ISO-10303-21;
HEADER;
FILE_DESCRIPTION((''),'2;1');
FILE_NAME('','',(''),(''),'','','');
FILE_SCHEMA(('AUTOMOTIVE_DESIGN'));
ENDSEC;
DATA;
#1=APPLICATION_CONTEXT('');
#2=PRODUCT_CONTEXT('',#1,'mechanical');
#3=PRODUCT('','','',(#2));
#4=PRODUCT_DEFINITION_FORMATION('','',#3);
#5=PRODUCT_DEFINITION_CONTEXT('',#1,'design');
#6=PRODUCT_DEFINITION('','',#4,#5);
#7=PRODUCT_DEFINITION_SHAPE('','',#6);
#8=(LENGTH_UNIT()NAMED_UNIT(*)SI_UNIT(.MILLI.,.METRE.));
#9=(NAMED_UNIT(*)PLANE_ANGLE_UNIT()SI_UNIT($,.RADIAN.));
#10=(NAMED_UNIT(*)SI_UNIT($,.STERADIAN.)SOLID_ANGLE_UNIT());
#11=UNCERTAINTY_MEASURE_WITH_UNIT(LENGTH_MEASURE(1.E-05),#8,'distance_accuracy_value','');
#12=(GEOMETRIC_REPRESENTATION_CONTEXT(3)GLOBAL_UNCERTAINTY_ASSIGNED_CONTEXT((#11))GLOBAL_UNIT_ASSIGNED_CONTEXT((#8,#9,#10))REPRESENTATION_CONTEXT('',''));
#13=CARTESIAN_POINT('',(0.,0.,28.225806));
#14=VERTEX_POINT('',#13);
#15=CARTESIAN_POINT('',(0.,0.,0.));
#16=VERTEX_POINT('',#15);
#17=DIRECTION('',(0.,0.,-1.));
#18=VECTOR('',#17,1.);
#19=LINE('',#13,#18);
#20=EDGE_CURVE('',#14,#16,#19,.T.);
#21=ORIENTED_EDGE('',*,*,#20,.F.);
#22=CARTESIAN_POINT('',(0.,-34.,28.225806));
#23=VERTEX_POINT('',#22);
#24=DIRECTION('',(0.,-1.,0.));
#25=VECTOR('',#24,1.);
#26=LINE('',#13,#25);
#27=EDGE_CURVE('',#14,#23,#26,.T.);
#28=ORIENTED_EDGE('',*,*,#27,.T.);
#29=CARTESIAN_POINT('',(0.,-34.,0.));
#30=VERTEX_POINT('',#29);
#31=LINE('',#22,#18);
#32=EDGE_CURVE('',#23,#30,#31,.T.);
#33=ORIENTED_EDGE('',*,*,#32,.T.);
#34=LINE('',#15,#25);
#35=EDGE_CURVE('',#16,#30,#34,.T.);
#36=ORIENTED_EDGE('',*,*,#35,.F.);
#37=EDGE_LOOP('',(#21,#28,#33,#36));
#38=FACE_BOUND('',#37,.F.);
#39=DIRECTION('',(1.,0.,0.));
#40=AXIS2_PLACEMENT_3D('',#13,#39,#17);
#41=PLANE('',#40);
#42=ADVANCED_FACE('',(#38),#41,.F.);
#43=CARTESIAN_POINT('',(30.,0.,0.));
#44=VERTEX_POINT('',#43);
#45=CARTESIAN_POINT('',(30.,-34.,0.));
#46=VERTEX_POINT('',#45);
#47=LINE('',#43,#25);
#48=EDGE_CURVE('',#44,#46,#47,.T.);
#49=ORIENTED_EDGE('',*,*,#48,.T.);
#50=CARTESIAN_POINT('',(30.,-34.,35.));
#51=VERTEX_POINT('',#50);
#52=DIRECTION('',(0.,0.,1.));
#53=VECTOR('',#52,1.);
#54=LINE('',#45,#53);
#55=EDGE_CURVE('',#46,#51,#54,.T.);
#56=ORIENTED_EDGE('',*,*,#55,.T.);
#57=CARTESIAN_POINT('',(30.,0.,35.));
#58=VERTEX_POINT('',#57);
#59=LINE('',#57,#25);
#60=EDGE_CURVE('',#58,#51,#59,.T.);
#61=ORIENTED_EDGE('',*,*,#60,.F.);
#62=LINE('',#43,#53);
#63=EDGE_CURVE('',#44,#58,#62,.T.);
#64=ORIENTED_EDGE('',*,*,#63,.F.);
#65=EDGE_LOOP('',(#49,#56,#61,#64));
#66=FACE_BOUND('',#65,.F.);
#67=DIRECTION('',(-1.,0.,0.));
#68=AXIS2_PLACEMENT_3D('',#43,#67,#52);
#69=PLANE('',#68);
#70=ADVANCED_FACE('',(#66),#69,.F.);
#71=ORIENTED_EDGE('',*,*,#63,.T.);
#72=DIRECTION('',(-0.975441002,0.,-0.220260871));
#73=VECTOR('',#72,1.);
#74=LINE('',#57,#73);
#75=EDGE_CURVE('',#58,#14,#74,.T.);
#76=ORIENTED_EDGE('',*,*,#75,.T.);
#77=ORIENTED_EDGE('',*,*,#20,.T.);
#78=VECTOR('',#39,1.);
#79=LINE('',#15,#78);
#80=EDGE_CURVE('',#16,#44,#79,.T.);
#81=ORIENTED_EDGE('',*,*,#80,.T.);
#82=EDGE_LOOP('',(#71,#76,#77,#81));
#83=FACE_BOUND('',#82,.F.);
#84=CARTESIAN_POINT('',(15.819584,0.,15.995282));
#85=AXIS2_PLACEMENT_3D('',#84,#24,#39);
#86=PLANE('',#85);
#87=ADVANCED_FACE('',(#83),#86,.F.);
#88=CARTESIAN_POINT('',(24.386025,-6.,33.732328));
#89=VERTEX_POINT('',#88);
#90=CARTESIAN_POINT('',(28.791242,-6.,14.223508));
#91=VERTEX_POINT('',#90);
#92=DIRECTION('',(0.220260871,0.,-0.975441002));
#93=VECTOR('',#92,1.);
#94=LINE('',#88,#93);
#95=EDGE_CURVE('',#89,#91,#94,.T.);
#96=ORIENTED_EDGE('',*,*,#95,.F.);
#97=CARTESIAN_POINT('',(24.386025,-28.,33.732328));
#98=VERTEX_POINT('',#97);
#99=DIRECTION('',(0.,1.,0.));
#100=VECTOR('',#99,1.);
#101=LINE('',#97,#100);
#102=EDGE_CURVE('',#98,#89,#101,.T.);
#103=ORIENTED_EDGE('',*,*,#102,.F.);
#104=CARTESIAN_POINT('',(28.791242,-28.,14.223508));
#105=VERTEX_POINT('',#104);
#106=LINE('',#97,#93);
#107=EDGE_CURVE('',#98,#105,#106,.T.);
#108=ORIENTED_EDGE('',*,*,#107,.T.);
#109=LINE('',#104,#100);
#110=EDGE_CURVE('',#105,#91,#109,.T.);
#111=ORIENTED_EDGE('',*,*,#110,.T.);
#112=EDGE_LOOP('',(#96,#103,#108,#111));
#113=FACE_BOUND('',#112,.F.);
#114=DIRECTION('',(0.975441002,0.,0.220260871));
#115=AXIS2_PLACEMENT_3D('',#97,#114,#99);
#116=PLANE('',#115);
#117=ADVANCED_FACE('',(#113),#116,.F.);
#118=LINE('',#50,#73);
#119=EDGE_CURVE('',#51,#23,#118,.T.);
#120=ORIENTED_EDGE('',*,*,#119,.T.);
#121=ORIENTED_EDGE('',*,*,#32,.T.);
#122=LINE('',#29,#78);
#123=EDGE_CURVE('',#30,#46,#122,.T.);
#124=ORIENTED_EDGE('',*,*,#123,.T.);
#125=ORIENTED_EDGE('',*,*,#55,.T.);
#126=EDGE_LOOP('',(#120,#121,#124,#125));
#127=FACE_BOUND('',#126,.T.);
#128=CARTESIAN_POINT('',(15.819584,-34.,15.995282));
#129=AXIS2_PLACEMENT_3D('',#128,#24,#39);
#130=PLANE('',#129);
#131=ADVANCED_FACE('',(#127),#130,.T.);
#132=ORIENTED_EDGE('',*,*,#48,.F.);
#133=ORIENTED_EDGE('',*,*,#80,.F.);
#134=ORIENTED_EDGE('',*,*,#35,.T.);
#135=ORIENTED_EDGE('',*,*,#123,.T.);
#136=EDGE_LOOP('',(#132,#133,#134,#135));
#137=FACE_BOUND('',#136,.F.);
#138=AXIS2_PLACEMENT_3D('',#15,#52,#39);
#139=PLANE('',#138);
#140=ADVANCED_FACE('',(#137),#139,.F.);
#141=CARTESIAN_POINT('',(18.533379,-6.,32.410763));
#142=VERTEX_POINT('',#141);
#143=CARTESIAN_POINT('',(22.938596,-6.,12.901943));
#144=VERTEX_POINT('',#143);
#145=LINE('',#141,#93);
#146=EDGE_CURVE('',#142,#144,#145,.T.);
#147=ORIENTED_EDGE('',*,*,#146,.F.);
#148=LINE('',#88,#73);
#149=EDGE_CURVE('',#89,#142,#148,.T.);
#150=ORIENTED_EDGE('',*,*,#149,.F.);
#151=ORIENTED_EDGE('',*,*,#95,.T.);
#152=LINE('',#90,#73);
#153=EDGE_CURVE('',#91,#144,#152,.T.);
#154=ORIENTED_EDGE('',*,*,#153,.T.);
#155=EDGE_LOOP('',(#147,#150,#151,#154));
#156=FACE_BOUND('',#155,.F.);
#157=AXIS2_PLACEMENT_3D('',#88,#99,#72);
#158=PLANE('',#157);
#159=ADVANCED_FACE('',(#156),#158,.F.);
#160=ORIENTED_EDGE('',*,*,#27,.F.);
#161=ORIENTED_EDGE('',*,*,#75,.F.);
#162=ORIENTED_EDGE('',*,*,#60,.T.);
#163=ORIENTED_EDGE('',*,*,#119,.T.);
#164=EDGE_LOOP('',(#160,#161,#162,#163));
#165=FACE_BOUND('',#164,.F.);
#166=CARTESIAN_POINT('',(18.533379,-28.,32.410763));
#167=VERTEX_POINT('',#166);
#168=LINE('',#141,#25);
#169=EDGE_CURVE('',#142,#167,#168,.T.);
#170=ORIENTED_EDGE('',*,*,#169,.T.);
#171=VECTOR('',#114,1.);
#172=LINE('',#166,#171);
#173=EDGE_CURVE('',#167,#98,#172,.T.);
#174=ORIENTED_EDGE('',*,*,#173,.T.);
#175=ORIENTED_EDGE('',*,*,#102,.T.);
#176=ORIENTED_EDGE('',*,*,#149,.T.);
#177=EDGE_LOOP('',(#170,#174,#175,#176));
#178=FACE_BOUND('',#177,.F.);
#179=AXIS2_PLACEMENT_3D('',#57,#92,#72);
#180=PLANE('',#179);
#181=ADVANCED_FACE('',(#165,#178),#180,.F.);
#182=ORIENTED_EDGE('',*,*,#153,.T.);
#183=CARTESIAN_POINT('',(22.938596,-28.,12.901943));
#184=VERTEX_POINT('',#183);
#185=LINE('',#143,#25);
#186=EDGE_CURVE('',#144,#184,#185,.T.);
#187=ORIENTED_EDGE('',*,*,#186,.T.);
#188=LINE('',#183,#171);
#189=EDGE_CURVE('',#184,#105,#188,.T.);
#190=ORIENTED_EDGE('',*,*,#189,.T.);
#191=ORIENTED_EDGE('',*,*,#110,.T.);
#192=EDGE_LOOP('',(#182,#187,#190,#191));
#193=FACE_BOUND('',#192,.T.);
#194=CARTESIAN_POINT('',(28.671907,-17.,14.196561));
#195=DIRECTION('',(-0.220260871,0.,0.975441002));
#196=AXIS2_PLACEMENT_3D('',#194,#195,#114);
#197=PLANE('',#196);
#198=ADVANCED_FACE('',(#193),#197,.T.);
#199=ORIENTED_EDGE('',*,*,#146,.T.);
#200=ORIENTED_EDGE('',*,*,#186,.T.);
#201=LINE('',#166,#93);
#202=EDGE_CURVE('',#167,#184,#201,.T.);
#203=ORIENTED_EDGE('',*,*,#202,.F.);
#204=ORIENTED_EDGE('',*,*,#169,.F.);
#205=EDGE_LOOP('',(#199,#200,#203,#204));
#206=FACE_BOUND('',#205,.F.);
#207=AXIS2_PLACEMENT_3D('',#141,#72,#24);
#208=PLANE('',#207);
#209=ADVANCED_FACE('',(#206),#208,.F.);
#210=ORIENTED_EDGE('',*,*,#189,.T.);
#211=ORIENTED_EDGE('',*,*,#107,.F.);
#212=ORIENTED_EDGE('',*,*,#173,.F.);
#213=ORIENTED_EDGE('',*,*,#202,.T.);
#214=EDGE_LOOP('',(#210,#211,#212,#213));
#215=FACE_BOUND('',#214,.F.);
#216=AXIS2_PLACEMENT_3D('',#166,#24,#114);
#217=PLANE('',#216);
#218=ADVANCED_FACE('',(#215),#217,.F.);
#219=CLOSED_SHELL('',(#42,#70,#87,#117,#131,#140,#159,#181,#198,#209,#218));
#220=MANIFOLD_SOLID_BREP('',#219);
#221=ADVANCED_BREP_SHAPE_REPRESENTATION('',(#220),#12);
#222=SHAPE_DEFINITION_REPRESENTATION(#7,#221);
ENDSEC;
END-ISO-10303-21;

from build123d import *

# Parameters (mm, degrees)
F1_DEPTH = 34
F3_DEPTH = 20


with BuildPart() as f1:
    # F0 (on Front) → F1 (new body)
    with BuildSketch(Plane.XZ):
        Polygon((0, 28.2258064516), (0, 0), (30, 0), (30, 35), align=None)
    extrude(amount=F1_DEPTH)

    # F2 (on face) → F3 (cut)
    with BuildSketch(Plane(origin=(-6.0643564356, 0, 26.8564356436), x_dir=(0.9754410021, 0, 0.2202608714), z_dir=(-0.2202608714, 0, 0.9754410021))):
        Polygon((30.9723605622, -6), (30.9723605622, -17), (30.9723605622, -28), (31.217040726, -28), (31.217040726, -17), (31.217040726, -6), align=None)
        Polygon((30.9723605622, -28), (30.9723605622, -17), (30.9723605622, -6), (25.217040726, -6), (25.217040726, -17), (25.217040726, -28), align=None)
    extrude(amount=-F3_DEPTH, mode=Mode.SUBTRACT)


solid = f1.part
